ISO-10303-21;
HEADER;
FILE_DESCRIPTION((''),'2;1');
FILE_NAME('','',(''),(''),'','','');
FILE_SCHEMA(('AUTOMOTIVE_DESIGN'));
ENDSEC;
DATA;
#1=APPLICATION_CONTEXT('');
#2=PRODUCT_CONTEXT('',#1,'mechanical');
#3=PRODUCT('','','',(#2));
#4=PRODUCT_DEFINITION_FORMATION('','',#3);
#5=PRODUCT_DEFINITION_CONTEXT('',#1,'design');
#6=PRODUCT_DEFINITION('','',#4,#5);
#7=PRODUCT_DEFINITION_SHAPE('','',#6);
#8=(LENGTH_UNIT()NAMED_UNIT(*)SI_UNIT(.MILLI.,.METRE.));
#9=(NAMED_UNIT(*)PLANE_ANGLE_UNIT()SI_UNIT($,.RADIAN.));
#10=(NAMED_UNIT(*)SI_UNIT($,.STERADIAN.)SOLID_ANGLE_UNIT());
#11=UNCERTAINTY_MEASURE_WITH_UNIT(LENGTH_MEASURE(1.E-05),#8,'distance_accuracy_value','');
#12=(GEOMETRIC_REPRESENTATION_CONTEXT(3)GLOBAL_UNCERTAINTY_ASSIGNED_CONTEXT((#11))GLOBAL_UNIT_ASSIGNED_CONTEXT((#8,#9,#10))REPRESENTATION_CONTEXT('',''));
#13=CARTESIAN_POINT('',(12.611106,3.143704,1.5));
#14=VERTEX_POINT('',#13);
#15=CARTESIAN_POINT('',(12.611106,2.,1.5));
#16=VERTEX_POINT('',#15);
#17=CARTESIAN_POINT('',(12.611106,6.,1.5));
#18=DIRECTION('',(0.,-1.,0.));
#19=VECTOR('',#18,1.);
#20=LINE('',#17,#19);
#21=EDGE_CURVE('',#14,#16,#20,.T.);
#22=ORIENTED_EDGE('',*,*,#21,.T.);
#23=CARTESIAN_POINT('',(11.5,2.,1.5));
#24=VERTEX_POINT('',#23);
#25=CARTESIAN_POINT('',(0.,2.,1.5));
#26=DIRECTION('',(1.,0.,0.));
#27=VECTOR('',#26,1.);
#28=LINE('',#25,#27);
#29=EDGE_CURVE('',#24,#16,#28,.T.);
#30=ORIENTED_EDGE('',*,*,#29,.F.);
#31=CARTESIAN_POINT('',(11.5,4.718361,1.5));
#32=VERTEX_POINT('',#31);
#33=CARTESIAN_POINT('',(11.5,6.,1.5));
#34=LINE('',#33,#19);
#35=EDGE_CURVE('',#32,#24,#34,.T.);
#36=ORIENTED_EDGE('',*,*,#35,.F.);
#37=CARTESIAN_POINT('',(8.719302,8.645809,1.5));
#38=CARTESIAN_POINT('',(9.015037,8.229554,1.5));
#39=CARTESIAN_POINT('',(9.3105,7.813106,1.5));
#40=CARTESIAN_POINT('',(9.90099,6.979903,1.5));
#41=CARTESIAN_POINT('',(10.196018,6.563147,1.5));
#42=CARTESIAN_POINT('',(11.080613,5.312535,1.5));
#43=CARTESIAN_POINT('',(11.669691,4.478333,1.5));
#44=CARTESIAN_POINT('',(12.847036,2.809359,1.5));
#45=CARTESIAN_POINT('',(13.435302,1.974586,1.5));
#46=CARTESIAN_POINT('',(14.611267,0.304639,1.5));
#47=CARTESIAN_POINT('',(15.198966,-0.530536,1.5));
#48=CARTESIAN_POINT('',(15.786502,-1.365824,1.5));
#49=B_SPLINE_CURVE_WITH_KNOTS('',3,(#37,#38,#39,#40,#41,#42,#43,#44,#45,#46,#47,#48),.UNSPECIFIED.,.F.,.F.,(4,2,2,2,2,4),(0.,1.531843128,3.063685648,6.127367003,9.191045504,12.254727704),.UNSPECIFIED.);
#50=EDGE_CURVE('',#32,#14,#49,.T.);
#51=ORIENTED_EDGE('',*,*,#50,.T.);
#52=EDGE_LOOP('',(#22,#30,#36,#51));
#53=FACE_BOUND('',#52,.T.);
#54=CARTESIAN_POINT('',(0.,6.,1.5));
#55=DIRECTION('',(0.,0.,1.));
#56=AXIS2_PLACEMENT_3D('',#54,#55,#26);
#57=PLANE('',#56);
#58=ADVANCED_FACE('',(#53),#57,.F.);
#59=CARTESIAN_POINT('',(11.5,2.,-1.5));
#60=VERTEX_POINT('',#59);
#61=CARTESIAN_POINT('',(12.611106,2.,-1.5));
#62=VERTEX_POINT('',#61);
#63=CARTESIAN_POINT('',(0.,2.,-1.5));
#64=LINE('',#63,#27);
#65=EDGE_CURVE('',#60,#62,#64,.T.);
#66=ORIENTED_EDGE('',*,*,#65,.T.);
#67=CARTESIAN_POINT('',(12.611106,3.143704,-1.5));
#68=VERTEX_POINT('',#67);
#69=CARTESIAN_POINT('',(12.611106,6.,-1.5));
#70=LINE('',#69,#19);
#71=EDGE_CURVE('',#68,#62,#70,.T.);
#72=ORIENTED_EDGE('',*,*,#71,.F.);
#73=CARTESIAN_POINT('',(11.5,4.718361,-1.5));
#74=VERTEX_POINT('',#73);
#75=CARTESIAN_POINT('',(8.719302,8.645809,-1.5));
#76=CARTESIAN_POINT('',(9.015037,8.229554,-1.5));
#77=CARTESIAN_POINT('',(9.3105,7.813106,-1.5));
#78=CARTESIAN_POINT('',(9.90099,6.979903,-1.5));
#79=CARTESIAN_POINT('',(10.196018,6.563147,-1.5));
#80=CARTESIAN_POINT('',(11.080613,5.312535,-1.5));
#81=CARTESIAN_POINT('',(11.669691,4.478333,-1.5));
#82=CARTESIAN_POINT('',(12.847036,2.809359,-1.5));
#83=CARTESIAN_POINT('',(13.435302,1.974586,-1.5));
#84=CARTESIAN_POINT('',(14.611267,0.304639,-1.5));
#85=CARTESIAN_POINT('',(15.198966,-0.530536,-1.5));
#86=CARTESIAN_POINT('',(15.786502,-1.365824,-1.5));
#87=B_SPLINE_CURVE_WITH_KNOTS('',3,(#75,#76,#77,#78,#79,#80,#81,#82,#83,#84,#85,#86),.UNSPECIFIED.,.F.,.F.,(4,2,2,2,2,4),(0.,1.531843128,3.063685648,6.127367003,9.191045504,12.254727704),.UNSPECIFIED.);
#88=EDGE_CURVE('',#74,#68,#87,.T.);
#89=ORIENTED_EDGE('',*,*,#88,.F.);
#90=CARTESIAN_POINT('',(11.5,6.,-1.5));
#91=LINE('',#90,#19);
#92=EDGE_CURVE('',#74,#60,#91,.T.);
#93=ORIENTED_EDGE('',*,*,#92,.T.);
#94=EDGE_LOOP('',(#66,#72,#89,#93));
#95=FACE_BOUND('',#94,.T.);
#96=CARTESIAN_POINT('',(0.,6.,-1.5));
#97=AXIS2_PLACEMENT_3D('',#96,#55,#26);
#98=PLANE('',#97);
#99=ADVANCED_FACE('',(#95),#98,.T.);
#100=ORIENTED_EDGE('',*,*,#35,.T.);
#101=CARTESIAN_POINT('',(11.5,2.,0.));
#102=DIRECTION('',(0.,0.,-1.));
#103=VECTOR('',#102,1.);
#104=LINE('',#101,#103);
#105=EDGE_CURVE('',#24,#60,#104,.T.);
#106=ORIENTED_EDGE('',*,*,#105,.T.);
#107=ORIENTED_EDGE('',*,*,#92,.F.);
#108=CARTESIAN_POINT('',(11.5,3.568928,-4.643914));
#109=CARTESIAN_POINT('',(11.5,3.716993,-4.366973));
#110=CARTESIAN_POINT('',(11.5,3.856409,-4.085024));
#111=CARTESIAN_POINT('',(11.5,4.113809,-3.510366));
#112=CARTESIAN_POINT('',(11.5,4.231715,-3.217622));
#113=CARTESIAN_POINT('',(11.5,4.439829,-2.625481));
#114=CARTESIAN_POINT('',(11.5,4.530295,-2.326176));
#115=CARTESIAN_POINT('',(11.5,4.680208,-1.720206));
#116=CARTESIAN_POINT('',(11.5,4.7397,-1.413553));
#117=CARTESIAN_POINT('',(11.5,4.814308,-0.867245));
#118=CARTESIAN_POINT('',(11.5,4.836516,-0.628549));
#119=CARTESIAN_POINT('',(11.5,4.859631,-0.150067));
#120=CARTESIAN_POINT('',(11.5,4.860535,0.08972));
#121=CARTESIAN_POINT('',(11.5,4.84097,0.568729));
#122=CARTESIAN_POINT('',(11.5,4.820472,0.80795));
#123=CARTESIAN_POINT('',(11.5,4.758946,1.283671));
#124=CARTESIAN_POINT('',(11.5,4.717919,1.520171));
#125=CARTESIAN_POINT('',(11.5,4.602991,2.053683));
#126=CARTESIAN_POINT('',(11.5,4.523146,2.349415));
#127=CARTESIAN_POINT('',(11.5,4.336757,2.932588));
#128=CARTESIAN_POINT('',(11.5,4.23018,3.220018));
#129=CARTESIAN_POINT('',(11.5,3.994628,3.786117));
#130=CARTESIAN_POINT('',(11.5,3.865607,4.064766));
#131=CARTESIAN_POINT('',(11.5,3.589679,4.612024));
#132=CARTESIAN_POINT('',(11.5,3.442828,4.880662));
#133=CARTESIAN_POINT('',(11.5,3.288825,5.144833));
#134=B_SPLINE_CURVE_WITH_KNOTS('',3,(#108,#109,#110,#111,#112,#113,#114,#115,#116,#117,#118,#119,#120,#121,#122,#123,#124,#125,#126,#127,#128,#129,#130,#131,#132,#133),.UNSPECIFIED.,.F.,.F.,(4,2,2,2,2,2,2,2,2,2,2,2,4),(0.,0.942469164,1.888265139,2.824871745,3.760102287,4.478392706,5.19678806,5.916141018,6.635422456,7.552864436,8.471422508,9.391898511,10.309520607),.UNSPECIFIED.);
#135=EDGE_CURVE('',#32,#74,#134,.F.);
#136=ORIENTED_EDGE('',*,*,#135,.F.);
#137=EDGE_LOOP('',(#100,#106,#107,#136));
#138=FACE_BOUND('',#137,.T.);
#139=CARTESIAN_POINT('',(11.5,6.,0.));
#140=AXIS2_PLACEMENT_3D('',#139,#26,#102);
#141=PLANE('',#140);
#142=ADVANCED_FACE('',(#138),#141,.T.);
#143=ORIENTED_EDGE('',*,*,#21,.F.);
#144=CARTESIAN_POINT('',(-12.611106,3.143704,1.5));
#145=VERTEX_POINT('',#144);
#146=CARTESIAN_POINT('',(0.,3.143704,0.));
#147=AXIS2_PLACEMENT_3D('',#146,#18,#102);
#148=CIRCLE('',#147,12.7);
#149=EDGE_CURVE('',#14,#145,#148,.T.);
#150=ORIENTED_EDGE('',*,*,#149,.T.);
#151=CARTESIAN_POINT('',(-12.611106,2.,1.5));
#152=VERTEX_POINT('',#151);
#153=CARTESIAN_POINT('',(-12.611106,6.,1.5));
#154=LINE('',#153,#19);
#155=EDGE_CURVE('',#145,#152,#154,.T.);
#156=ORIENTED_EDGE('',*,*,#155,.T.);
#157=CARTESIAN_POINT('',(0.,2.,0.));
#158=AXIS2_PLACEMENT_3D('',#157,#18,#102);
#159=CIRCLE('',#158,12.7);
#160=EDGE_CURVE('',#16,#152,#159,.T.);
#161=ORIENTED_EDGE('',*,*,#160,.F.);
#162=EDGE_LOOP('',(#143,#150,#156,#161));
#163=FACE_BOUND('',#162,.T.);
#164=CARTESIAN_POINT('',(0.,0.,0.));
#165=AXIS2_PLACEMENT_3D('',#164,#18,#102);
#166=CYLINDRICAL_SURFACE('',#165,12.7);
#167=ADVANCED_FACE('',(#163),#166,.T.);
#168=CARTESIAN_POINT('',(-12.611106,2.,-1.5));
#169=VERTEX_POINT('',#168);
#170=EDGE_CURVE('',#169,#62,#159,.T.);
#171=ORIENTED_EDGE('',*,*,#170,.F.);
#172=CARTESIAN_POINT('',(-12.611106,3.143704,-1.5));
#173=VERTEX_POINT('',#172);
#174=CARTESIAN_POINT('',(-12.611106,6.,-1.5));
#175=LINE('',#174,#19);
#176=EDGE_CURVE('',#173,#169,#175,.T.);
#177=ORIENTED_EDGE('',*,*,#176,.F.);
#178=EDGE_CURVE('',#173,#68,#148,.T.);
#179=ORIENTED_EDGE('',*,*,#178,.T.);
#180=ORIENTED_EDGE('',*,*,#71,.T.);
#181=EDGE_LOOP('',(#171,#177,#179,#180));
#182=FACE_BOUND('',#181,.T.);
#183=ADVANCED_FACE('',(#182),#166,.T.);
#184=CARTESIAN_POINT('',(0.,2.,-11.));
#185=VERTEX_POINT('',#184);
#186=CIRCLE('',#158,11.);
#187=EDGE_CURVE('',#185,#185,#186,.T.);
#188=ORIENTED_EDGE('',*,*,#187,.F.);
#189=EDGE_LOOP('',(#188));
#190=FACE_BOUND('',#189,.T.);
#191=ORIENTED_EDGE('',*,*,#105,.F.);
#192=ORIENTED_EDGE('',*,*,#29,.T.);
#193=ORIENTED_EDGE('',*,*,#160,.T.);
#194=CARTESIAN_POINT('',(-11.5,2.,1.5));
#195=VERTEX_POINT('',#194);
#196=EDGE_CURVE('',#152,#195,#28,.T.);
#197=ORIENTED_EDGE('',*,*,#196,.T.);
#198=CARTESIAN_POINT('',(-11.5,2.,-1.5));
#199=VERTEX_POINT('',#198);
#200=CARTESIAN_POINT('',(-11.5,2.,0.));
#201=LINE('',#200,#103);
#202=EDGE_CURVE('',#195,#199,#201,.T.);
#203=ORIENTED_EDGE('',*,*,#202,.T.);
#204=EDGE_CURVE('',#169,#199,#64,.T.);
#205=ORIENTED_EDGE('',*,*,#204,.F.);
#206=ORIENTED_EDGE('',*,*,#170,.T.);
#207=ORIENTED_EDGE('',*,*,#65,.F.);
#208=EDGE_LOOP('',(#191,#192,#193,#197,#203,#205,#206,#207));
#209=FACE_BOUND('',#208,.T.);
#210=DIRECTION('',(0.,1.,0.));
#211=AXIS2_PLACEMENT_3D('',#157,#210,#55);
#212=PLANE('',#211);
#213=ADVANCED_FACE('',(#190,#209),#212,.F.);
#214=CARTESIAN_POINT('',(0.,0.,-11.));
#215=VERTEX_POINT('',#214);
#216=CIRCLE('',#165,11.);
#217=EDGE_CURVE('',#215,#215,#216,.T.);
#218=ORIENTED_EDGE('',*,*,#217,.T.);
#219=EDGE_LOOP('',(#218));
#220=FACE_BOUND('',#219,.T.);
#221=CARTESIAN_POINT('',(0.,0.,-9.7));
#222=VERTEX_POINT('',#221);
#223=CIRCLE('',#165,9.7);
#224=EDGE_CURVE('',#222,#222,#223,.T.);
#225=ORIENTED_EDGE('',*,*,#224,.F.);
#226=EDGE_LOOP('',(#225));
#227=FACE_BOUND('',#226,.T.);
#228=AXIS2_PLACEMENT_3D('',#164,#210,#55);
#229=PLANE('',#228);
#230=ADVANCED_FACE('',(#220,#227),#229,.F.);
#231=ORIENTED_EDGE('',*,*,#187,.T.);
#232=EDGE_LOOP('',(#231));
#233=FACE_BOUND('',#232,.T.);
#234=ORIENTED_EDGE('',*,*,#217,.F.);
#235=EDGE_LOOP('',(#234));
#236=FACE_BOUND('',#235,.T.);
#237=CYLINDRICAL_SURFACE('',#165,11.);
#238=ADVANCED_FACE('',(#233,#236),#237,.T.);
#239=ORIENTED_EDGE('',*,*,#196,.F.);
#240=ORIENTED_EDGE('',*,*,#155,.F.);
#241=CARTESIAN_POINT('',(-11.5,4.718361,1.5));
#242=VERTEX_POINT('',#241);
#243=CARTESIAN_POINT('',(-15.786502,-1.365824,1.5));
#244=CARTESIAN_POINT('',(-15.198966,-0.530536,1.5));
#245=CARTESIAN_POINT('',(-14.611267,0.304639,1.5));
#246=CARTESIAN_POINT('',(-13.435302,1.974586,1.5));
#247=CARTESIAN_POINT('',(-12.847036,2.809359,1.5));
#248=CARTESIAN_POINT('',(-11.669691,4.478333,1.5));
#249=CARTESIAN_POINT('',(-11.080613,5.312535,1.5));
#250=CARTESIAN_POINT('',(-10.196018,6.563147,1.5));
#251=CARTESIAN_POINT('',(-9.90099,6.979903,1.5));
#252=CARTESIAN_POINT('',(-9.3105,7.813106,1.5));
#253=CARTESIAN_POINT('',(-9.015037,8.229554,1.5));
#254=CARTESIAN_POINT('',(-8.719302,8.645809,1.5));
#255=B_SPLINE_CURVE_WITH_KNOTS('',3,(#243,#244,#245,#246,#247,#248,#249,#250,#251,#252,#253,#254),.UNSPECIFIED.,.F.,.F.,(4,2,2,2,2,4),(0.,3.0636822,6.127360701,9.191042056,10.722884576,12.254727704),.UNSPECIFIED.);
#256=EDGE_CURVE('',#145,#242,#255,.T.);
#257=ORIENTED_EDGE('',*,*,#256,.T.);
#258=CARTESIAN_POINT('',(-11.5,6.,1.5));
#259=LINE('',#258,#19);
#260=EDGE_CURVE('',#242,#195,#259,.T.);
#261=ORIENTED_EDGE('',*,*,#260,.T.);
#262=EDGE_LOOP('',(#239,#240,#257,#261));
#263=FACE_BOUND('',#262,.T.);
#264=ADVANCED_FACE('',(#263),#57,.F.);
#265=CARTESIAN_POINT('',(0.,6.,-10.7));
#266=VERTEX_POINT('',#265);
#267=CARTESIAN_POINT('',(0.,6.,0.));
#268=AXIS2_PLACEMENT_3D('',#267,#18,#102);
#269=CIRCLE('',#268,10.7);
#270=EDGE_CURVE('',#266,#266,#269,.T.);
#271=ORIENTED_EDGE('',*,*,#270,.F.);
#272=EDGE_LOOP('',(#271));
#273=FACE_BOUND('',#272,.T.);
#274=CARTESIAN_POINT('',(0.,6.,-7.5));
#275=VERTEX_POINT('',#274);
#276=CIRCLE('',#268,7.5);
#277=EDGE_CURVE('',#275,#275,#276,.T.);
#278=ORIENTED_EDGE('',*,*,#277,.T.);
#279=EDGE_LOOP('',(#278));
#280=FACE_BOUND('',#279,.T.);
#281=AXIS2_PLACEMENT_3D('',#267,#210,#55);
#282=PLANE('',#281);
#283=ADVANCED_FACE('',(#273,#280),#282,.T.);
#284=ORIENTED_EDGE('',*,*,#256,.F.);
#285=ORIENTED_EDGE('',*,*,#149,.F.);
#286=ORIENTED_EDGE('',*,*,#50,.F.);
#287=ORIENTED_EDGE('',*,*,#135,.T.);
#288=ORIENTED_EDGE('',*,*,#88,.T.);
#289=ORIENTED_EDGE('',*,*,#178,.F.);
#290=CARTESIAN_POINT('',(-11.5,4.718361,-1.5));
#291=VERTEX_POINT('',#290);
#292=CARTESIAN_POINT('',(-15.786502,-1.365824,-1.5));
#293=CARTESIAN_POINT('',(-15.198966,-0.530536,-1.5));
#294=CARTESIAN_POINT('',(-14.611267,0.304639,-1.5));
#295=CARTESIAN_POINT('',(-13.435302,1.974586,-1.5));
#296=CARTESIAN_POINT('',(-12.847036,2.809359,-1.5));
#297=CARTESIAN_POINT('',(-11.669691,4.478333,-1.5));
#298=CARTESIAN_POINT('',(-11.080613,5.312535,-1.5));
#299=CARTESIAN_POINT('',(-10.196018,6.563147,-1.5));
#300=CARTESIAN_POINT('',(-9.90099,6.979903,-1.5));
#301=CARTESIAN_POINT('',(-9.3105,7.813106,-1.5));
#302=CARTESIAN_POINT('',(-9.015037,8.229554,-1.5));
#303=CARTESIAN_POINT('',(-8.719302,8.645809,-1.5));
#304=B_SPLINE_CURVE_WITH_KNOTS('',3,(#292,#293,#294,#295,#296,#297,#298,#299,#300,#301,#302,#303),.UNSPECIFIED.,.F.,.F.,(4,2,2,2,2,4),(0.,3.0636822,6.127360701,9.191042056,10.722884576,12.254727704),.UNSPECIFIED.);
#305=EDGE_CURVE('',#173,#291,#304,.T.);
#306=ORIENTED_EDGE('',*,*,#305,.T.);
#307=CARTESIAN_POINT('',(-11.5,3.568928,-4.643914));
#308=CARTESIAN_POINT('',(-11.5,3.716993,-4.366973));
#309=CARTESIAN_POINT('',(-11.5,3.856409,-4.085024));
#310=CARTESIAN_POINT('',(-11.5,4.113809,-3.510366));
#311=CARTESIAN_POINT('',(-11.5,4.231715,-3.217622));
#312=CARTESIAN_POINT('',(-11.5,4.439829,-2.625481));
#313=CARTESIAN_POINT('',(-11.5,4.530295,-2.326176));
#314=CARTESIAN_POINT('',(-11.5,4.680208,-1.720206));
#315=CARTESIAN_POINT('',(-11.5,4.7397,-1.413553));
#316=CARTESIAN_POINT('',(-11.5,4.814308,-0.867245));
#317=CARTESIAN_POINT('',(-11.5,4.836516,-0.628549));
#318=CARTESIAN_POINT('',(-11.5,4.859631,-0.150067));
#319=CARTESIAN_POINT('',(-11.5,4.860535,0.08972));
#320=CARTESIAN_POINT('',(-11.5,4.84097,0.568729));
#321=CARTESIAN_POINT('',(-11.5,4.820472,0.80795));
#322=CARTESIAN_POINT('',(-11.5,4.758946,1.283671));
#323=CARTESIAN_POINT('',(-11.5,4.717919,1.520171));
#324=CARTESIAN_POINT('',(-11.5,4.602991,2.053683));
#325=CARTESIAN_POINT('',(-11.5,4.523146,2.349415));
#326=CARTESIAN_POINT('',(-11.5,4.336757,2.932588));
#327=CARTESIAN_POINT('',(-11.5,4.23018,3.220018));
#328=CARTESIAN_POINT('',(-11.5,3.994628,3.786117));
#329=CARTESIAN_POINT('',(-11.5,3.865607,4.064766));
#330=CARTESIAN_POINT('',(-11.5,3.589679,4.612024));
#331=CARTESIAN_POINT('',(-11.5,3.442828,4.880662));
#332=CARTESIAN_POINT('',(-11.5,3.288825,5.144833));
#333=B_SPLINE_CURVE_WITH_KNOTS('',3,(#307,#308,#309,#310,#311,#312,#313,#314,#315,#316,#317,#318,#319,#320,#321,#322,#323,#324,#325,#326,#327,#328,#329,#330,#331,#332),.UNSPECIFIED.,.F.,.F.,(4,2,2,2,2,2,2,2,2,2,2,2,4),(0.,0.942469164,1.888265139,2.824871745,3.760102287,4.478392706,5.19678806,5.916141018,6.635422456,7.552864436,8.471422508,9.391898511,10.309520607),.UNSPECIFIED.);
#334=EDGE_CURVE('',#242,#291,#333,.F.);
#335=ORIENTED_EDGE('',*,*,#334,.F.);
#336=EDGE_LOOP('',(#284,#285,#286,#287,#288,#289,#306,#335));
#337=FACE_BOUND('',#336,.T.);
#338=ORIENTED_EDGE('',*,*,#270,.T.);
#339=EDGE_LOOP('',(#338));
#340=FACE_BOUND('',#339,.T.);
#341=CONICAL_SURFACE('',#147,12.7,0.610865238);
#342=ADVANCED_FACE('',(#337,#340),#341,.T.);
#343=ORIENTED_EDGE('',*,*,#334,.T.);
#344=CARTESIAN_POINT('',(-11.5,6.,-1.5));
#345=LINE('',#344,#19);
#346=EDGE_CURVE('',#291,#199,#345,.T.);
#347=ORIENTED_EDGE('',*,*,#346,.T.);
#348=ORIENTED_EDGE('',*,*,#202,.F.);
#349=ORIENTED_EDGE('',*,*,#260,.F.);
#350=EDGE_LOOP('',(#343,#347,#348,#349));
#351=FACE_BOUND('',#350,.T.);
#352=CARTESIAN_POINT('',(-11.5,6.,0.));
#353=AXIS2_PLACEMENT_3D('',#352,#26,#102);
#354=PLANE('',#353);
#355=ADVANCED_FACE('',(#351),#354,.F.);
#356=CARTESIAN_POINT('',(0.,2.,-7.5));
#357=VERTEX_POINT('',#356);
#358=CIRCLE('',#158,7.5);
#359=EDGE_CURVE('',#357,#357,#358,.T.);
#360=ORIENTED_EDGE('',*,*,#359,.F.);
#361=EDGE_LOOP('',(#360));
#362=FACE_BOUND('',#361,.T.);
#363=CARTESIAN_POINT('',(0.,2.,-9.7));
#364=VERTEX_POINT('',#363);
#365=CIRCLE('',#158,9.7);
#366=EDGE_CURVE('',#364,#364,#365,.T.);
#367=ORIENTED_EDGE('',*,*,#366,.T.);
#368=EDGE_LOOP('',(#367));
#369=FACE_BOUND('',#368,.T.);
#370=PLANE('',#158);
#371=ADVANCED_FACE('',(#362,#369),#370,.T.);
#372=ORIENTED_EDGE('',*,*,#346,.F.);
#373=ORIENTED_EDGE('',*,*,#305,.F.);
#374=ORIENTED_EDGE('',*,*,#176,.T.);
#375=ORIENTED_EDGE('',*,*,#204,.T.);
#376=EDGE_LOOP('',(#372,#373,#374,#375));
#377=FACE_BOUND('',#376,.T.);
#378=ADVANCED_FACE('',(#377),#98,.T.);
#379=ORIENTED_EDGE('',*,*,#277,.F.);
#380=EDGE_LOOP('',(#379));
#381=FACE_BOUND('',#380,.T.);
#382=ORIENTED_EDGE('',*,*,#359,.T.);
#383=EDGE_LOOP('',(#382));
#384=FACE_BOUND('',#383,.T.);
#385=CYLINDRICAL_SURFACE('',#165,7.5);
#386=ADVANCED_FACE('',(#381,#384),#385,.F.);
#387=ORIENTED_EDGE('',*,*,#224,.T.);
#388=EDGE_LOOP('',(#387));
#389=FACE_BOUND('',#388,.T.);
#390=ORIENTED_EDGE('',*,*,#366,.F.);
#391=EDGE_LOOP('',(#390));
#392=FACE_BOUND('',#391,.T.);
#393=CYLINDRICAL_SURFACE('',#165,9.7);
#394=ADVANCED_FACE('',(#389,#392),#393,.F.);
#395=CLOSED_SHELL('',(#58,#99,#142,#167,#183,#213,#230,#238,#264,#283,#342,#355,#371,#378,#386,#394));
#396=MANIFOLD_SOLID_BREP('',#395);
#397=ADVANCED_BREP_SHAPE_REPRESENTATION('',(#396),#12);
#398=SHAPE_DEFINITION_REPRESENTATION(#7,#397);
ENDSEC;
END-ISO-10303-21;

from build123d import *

# Parameters (mm, degrees)
CUT_EXTRUDE1_DEPTH = 19.936208702


with BuildPart() as part:
    # Sketch1 → Revolve1 (revolve)
    with BuildSketch(Plane.XY, mode=Mode.PRIVATE) as revolve1_sk:
        Polygon((-12.7, 2), (-11, 2), (-11, 0), (-9.7, 0), (-9.7, 2), (-7.5, 2), (-7.5, 6), (-10.7, 6), (-10.7, 3.143703987), (-12.7, 3.143703987), align=None)
        Polygon((-12.7, 3.143703987), (-10.7, 6), (-10.7, 3.143703987), align=None)
    revolve(revolve1_sk.sketch.rotate(Axis((0, 0, 0), (0, 1, 0)), 270), axis=Axis((0, 0, 0), (0, 1, 0)))

    # Sketch2 → Cut-Extrude1 (cut, through all)
    with BuildSketch(Plane(origin=(0, 0, 0), x_dir=(1, 0, 0), z_dir=(0, 1, 0))):
        with BuildLine():
            Line((-11.5, -1.5), (-11.5, 1.5))
            Line((-11.5, 1.5), (-12.611106216, 1.5))
            ThreePointArc((-12.611106216, 1.5), (-12.7, 0), (-12.611106216, -1.5))
            Line((-12.611106216, -1.5), (-11.5, -1.5))
        make_face()
        with BuildLine():
            ThreePointArc((12.7, 0), (12.677757076, 0.751315863), (12.611106216, 1.5))
            Line((12.611106216, 1.5), (11.5, 1.5))
            Line((11.5, 1.5), (11.5, -1.5))
            Line((11.5, -1.5), (12.611106216, -1.5))
            ThreePointArc((12.611106216, -1.5), (12.677757076, -0.751315863), (12.7, 0))
        make_face()
    extrude(amount=CUT_EXTRUDE1_DEPTH, mode=Mode.SUBTRACT)


solid = part.part
